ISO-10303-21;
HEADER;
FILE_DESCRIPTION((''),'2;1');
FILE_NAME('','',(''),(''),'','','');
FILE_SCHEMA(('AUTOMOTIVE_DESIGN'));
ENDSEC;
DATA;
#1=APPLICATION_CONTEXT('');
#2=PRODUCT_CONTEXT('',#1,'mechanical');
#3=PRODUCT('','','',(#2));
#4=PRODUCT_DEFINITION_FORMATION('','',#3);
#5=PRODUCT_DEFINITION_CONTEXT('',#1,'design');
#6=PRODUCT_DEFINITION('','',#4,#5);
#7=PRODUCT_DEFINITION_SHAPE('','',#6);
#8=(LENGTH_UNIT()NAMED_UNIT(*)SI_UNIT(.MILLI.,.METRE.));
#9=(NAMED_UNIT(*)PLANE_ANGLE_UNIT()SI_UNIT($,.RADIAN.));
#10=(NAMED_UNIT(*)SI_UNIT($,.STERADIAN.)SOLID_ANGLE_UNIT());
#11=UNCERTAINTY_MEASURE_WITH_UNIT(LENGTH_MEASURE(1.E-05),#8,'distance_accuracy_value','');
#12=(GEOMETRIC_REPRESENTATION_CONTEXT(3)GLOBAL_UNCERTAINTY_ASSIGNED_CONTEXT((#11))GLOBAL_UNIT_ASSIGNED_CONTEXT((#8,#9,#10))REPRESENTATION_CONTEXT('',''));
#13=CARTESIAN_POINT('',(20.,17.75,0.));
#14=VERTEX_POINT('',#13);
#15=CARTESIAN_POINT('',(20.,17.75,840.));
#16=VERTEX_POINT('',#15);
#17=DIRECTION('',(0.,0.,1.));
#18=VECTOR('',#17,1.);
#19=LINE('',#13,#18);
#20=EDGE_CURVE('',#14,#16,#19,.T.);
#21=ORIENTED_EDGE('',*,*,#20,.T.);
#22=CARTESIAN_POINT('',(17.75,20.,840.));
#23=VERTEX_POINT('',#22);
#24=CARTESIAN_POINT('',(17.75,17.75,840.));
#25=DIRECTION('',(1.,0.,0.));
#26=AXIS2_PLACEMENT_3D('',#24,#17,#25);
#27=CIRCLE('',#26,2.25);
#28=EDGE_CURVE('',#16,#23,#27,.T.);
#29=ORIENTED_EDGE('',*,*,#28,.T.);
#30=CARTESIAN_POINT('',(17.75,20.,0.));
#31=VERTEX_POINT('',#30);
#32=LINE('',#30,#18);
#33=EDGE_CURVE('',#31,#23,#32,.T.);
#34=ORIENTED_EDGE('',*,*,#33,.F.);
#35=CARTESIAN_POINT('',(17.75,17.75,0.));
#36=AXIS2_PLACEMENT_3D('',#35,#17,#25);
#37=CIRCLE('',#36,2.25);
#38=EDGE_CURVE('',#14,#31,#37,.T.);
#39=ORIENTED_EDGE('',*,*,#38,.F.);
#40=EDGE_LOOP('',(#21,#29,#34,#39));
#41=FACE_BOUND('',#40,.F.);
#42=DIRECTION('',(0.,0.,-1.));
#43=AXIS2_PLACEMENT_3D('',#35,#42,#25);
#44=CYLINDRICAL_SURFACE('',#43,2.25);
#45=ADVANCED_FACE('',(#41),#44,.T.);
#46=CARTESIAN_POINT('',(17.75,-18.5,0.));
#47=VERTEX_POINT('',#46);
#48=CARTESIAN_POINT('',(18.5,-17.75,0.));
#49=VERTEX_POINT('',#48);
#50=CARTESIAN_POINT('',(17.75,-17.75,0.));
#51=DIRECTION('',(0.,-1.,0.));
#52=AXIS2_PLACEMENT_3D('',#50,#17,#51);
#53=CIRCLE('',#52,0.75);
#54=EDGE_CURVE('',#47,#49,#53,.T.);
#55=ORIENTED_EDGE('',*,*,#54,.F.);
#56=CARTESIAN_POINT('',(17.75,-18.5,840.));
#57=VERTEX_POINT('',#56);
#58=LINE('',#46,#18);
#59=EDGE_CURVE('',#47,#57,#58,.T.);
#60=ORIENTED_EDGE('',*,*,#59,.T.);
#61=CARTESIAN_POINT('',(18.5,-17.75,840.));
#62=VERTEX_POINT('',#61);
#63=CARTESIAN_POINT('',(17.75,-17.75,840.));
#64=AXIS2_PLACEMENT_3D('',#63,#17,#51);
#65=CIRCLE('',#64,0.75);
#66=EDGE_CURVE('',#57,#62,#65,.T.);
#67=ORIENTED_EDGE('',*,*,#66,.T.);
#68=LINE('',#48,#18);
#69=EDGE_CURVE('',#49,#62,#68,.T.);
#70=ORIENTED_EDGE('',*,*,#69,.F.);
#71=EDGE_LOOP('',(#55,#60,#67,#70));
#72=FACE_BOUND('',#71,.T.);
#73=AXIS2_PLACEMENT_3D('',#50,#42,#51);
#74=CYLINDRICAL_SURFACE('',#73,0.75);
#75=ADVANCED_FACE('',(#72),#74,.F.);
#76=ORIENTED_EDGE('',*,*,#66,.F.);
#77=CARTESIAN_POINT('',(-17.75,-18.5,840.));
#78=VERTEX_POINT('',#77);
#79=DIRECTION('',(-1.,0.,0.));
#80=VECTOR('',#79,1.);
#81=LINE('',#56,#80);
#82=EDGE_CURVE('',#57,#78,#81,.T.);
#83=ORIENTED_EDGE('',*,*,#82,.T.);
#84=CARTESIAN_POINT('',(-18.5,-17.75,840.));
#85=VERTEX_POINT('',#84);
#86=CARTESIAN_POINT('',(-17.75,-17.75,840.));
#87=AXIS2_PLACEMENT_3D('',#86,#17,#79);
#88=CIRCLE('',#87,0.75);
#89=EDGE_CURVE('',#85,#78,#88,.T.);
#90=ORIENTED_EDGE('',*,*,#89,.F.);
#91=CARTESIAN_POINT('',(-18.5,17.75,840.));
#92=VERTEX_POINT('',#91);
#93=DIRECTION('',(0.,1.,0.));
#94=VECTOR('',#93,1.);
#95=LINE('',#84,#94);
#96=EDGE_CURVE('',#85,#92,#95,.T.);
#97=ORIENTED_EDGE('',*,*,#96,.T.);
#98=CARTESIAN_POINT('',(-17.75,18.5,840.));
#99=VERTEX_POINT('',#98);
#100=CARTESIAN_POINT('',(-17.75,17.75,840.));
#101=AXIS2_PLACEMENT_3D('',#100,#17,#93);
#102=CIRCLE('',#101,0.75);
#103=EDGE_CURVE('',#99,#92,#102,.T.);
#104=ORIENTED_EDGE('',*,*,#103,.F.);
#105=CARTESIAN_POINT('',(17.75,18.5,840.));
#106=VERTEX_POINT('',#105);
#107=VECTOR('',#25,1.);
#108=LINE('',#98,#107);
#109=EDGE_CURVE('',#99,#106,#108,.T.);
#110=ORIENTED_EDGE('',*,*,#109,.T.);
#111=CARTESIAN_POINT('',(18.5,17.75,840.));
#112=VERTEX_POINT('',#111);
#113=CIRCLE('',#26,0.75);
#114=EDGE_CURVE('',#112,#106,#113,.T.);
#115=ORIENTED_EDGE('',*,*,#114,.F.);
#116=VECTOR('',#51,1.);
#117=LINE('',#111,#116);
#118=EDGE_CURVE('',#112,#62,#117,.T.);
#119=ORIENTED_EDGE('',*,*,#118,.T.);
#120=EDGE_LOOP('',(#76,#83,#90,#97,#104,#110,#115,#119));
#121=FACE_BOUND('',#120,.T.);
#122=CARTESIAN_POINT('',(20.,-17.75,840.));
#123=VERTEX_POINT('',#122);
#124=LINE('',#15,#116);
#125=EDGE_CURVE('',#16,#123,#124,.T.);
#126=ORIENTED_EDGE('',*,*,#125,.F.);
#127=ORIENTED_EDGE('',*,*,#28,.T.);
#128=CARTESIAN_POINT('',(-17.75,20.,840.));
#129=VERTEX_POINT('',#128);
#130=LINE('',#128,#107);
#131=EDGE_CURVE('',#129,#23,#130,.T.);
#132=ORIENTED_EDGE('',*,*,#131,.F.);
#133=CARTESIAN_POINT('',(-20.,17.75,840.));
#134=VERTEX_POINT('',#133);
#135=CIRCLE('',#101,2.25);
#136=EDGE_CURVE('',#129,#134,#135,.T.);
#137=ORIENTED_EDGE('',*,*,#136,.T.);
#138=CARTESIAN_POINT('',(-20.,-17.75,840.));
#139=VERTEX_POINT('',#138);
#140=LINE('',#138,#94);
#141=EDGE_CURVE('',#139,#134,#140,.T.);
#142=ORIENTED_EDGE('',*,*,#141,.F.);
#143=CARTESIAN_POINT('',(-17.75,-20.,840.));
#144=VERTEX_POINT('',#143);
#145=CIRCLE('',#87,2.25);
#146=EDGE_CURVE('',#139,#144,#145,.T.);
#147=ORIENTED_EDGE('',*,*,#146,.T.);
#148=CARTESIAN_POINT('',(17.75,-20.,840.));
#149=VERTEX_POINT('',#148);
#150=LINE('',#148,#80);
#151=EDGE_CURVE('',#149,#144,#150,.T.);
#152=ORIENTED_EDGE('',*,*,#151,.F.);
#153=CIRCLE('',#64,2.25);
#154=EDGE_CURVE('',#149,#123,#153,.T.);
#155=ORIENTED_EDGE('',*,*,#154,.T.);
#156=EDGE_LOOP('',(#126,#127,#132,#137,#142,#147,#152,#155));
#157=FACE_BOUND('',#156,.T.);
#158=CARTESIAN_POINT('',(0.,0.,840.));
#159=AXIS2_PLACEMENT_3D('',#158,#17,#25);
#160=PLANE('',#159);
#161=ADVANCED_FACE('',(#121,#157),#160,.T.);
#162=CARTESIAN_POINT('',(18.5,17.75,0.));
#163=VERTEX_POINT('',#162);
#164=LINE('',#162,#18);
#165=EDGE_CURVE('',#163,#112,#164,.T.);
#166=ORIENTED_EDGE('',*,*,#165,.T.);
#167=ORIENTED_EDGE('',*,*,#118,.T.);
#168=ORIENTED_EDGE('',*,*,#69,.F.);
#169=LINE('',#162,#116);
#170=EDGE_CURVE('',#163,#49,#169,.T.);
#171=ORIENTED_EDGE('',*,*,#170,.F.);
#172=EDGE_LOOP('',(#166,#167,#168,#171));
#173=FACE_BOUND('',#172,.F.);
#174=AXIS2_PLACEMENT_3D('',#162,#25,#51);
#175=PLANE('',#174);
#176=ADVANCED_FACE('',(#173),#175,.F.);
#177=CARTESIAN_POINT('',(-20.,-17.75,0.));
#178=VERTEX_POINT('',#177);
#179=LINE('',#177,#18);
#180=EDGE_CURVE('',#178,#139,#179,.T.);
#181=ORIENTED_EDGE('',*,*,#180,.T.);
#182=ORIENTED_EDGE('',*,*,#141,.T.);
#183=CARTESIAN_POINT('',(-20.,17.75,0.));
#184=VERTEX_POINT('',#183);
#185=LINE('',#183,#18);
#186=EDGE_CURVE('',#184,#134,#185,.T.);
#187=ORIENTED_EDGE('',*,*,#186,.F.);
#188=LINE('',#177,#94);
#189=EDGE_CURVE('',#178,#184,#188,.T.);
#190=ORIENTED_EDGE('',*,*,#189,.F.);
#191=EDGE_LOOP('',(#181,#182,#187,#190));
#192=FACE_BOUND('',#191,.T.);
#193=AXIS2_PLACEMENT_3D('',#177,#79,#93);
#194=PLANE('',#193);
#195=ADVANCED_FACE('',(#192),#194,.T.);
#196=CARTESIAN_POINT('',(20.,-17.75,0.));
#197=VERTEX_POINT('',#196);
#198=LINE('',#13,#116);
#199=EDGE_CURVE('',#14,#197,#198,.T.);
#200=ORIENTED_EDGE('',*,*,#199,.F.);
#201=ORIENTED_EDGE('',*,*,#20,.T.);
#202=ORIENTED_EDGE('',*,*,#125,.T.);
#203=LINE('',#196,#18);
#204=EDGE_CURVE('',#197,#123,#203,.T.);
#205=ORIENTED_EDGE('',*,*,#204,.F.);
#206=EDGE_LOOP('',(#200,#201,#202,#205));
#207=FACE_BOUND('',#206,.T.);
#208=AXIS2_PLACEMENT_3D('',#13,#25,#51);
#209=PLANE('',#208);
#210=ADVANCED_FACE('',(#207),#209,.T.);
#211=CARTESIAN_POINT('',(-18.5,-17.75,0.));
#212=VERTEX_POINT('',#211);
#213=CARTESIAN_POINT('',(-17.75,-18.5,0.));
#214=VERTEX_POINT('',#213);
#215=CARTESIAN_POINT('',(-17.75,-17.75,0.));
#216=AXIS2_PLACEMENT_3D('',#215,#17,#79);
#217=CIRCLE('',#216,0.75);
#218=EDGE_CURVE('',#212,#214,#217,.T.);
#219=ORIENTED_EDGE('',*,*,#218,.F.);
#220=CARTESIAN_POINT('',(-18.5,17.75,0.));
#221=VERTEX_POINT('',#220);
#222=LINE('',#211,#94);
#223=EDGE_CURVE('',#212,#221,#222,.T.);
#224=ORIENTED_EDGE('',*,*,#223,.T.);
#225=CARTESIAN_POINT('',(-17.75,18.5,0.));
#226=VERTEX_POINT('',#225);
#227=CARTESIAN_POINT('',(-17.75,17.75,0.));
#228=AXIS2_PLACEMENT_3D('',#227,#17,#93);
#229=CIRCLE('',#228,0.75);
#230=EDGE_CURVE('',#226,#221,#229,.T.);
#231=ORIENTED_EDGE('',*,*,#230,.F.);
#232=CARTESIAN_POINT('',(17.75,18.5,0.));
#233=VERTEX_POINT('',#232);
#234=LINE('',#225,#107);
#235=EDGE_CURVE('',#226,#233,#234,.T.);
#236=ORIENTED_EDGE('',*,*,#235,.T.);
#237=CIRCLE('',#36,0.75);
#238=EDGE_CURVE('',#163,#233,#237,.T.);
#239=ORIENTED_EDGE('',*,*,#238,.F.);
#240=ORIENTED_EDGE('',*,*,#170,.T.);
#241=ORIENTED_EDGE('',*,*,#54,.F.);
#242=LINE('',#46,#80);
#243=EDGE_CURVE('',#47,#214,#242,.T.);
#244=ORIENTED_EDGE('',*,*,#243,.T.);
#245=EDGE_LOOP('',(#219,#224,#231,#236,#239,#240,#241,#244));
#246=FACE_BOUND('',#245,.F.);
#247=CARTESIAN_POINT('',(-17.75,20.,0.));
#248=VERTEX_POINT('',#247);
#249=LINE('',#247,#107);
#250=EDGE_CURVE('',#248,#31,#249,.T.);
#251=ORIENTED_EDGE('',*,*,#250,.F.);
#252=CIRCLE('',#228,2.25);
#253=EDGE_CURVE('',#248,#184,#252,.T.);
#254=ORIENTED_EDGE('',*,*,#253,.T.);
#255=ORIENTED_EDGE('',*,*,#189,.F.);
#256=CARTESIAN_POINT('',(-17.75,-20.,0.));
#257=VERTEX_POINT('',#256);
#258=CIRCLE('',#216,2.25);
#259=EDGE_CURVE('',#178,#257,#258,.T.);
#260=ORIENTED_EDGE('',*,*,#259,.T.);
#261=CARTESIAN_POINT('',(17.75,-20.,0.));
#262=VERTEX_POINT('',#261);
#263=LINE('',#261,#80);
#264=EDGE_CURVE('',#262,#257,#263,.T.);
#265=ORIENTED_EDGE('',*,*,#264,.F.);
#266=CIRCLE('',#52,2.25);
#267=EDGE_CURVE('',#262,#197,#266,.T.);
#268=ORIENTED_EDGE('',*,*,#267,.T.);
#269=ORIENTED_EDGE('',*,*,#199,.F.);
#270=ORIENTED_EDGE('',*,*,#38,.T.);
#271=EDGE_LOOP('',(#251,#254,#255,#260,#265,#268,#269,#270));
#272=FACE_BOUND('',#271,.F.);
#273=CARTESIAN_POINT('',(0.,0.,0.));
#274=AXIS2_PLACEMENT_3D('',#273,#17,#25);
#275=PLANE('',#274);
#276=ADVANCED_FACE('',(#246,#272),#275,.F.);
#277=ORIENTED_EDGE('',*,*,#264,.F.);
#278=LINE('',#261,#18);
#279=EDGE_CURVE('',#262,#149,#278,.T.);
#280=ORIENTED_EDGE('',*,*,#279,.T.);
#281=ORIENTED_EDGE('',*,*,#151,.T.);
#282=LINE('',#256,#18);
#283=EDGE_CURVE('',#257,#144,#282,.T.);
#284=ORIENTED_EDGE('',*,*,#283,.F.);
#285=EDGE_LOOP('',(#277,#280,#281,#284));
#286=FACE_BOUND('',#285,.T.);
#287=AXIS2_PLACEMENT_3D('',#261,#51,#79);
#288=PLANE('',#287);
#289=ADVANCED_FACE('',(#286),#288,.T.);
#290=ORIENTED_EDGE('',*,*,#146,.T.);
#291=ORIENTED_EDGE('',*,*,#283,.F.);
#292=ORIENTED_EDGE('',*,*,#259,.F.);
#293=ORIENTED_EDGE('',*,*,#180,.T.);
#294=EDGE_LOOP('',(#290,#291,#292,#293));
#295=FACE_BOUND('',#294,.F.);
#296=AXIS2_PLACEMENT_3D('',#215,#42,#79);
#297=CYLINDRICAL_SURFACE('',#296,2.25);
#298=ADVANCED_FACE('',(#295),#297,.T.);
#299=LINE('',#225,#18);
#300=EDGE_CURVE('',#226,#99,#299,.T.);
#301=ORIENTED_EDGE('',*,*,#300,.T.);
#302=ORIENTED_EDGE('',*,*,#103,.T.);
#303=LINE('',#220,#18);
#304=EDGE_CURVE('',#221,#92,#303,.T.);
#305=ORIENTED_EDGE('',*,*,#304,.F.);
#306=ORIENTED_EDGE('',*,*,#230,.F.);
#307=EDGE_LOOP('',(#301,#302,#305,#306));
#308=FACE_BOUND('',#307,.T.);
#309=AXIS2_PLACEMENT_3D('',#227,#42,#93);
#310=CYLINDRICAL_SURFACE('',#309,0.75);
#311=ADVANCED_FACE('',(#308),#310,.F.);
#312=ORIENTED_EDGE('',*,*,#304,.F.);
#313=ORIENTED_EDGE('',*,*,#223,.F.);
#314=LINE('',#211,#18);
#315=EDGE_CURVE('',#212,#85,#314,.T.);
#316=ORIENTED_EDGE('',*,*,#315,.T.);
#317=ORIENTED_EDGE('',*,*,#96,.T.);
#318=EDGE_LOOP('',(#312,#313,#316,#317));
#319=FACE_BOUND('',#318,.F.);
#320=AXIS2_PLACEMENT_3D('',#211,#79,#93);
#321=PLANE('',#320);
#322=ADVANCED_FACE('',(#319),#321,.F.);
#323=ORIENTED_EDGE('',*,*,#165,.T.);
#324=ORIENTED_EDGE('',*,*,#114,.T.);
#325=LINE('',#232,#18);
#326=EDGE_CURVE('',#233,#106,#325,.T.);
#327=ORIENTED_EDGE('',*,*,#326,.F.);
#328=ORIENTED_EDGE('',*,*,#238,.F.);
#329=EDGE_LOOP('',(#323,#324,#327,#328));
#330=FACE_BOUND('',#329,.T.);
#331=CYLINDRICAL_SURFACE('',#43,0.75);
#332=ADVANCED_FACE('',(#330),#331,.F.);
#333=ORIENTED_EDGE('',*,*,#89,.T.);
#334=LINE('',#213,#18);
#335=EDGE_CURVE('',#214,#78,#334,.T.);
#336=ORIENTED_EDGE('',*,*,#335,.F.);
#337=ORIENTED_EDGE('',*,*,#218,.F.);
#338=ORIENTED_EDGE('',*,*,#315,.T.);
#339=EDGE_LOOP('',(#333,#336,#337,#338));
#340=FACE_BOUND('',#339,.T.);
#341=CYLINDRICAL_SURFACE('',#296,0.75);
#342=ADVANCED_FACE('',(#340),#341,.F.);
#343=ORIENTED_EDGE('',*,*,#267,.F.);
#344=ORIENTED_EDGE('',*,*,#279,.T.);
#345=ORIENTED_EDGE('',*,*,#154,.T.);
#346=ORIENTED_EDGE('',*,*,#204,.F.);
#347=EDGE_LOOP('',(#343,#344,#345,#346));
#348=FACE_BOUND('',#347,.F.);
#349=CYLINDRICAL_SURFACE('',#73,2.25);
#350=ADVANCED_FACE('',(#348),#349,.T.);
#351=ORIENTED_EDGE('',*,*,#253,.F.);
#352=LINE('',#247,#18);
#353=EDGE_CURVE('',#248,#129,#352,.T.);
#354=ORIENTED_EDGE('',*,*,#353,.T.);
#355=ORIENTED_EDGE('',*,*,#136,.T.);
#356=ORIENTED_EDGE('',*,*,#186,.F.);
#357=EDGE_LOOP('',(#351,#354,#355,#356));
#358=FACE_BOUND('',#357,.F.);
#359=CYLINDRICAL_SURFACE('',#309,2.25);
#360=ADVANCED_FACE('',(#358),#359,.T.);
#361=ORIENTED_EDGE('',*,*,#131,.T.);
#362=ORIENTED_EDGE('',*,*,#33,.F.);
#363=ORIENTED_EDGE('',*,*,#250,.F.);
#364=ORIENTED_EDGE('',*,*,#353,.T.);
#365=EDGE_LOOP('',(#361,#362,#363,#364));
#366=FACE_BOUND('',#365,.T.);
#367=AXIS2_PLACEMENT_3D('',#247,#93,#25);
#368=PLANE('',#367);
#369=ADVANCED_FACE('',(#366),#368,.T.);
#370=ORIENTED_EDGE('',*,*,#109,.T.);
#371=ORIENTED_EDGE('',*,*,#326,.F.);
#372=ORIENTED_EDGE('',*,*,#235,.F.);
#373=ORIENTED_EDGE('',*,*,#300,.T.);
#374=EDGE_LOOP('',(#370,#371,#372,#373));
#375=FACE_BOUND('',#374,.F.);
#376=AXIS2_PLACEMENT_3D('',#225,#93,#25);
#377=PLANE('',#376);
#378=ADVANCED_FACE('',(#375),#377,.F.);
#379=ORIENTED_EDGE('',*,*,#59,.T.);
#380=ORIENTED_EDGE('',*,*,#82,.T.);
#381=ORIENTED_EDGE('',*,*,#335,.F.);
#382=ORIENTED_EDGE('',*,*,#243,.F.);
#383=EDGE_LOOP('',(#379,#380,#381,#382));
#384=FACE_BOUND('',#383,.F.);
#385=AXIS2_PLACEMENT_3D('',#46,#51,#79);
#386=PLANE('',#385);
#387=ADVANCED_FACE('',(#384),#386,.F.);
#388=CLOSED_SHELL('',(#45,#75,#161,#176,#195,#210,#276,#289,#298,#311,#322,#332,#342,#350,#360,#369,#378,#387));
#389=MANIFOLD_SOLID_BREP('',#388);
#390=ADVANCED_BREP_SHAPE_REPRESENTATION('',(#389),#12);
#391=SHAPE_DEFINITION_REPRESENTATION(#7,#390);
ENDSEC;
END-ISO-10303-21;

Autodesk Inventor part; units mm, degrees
ref_plane "YZ Plane" through (0, 0, 0) normal (1, 0, 0) x (0, 1, 0)
ref_plane "Start plane" through (0, 0, 0) normal (0, 0, 1) x (1, 0, 0)
ref_plane "End plane" through (0, 0, 840) normal (0, 0, 1) x (1, 0, 0)
sketch "Sketch" plane through (0, 0, 0) normal (0, 0, 1) x (1, 0, 0)
  line L0 (-20, -17.75) -> (-20, 17.75)
  line L1 (-17.75, 20) -> (17.75, 20)
  line L2 (20, 17.75) -> (20, -17.75)
  line L3 (17.75, -20) -> (-17.75, -20)
  arc A0 (-20, -17.75) -> (-17.75, -20) centre (-17.75, -17.75) ccw
  arc A1 (-17.75, 20) -> (-20, 17.75) centre (-17.75, 17.75) ccw
  arc A2 (20, 17.75) -> (17.75, 20) centre (17.75, 17.75) ccw
  arc A3 (17.75, -20) -> (20, -17.75) centre (17.75, -17.75) ccw
  arc A4 (-17.75, 18.5) -> (-18.5, 17.75) centre (-17.75, 17.75) ccw
  line L4 (-17.75, 18.5) -> (17.75, 18.5)
  arc A5 (18.5, 17.75) -> (17.75, 18.5) centre (17.75, 17.75) ccw
  line L5 (18.5, 17.75) -> (18.5, -17.75)
  arc A6 (17.75, -18.5) -> (18.5, -17.75) centre (17.75, -17.75) ccw
  line L6 (17.75, -18.5) -> (-17.75, -18.5)
  arc A7 (-18.5, -17.75) -> (-17.75, -18.5) centre (-17.75, -17.75) ccw
  line L7 (-18.5, -17.75) -> (-18.5, 17.75)
  line L8 (0, 28.6524) -> (0, -28.6524) construction
  line L9 (-28.6524, 0) -> (28.6524, 0) construction
  dimension "d7" = 2.25
  dimension "d10" = 40
  dimension "d11" = 40
  dimension "d12" = 1.5
  dimension "d15" = 20
  dimension "d16" = 20
extrude "Body" add sketch "Sketch" along normal up to surface (840 mm away) from surface at 0
sketch "Sketch3" plane through (0, 0, 0) normal (0, 0, 1) x (1, 0, 0)
  line L0 (0, 0) -> (10, 0)
ref_plane "Work Plane3" through (0, 0, 0) normal (0, -1, 0) x (1, 0, 0)
sketch "Sketch4" plane through (0, 0, 0) normal (0, -1, 0) x (1, 0, 0)
  line L0 (-2, 0) -> (12, 0)
  line L1 (-2, 840) -> (12, 840)
  dimension "d18" = 840
equation "\"d7\" = G_IR"
equation "\"d10\" = G_H"
equation "\"d11\" = G_W"
equation "\"d12\" = G_T"
equation "\"d15\" = 0.5 * d10"
equation "\"d16\" = 0.5 * d11"
equation "\"d3\" = G_L"
equation "\"G_W\" = 40"
equation "\"G_H\" = 40"
equation "\"G_T\" = 1.5"
equation "\"G_IR\" = 2.25"
equation "\"G_L\" = d18"
equation "\"G_OFFSET_START\" = 0"
equation "\"G_OFFSET_END\" = 0"
properties part number "CSN EN 10305-5 - 40 x 40 x 1,5  - 840" material "Steel, Mild"
